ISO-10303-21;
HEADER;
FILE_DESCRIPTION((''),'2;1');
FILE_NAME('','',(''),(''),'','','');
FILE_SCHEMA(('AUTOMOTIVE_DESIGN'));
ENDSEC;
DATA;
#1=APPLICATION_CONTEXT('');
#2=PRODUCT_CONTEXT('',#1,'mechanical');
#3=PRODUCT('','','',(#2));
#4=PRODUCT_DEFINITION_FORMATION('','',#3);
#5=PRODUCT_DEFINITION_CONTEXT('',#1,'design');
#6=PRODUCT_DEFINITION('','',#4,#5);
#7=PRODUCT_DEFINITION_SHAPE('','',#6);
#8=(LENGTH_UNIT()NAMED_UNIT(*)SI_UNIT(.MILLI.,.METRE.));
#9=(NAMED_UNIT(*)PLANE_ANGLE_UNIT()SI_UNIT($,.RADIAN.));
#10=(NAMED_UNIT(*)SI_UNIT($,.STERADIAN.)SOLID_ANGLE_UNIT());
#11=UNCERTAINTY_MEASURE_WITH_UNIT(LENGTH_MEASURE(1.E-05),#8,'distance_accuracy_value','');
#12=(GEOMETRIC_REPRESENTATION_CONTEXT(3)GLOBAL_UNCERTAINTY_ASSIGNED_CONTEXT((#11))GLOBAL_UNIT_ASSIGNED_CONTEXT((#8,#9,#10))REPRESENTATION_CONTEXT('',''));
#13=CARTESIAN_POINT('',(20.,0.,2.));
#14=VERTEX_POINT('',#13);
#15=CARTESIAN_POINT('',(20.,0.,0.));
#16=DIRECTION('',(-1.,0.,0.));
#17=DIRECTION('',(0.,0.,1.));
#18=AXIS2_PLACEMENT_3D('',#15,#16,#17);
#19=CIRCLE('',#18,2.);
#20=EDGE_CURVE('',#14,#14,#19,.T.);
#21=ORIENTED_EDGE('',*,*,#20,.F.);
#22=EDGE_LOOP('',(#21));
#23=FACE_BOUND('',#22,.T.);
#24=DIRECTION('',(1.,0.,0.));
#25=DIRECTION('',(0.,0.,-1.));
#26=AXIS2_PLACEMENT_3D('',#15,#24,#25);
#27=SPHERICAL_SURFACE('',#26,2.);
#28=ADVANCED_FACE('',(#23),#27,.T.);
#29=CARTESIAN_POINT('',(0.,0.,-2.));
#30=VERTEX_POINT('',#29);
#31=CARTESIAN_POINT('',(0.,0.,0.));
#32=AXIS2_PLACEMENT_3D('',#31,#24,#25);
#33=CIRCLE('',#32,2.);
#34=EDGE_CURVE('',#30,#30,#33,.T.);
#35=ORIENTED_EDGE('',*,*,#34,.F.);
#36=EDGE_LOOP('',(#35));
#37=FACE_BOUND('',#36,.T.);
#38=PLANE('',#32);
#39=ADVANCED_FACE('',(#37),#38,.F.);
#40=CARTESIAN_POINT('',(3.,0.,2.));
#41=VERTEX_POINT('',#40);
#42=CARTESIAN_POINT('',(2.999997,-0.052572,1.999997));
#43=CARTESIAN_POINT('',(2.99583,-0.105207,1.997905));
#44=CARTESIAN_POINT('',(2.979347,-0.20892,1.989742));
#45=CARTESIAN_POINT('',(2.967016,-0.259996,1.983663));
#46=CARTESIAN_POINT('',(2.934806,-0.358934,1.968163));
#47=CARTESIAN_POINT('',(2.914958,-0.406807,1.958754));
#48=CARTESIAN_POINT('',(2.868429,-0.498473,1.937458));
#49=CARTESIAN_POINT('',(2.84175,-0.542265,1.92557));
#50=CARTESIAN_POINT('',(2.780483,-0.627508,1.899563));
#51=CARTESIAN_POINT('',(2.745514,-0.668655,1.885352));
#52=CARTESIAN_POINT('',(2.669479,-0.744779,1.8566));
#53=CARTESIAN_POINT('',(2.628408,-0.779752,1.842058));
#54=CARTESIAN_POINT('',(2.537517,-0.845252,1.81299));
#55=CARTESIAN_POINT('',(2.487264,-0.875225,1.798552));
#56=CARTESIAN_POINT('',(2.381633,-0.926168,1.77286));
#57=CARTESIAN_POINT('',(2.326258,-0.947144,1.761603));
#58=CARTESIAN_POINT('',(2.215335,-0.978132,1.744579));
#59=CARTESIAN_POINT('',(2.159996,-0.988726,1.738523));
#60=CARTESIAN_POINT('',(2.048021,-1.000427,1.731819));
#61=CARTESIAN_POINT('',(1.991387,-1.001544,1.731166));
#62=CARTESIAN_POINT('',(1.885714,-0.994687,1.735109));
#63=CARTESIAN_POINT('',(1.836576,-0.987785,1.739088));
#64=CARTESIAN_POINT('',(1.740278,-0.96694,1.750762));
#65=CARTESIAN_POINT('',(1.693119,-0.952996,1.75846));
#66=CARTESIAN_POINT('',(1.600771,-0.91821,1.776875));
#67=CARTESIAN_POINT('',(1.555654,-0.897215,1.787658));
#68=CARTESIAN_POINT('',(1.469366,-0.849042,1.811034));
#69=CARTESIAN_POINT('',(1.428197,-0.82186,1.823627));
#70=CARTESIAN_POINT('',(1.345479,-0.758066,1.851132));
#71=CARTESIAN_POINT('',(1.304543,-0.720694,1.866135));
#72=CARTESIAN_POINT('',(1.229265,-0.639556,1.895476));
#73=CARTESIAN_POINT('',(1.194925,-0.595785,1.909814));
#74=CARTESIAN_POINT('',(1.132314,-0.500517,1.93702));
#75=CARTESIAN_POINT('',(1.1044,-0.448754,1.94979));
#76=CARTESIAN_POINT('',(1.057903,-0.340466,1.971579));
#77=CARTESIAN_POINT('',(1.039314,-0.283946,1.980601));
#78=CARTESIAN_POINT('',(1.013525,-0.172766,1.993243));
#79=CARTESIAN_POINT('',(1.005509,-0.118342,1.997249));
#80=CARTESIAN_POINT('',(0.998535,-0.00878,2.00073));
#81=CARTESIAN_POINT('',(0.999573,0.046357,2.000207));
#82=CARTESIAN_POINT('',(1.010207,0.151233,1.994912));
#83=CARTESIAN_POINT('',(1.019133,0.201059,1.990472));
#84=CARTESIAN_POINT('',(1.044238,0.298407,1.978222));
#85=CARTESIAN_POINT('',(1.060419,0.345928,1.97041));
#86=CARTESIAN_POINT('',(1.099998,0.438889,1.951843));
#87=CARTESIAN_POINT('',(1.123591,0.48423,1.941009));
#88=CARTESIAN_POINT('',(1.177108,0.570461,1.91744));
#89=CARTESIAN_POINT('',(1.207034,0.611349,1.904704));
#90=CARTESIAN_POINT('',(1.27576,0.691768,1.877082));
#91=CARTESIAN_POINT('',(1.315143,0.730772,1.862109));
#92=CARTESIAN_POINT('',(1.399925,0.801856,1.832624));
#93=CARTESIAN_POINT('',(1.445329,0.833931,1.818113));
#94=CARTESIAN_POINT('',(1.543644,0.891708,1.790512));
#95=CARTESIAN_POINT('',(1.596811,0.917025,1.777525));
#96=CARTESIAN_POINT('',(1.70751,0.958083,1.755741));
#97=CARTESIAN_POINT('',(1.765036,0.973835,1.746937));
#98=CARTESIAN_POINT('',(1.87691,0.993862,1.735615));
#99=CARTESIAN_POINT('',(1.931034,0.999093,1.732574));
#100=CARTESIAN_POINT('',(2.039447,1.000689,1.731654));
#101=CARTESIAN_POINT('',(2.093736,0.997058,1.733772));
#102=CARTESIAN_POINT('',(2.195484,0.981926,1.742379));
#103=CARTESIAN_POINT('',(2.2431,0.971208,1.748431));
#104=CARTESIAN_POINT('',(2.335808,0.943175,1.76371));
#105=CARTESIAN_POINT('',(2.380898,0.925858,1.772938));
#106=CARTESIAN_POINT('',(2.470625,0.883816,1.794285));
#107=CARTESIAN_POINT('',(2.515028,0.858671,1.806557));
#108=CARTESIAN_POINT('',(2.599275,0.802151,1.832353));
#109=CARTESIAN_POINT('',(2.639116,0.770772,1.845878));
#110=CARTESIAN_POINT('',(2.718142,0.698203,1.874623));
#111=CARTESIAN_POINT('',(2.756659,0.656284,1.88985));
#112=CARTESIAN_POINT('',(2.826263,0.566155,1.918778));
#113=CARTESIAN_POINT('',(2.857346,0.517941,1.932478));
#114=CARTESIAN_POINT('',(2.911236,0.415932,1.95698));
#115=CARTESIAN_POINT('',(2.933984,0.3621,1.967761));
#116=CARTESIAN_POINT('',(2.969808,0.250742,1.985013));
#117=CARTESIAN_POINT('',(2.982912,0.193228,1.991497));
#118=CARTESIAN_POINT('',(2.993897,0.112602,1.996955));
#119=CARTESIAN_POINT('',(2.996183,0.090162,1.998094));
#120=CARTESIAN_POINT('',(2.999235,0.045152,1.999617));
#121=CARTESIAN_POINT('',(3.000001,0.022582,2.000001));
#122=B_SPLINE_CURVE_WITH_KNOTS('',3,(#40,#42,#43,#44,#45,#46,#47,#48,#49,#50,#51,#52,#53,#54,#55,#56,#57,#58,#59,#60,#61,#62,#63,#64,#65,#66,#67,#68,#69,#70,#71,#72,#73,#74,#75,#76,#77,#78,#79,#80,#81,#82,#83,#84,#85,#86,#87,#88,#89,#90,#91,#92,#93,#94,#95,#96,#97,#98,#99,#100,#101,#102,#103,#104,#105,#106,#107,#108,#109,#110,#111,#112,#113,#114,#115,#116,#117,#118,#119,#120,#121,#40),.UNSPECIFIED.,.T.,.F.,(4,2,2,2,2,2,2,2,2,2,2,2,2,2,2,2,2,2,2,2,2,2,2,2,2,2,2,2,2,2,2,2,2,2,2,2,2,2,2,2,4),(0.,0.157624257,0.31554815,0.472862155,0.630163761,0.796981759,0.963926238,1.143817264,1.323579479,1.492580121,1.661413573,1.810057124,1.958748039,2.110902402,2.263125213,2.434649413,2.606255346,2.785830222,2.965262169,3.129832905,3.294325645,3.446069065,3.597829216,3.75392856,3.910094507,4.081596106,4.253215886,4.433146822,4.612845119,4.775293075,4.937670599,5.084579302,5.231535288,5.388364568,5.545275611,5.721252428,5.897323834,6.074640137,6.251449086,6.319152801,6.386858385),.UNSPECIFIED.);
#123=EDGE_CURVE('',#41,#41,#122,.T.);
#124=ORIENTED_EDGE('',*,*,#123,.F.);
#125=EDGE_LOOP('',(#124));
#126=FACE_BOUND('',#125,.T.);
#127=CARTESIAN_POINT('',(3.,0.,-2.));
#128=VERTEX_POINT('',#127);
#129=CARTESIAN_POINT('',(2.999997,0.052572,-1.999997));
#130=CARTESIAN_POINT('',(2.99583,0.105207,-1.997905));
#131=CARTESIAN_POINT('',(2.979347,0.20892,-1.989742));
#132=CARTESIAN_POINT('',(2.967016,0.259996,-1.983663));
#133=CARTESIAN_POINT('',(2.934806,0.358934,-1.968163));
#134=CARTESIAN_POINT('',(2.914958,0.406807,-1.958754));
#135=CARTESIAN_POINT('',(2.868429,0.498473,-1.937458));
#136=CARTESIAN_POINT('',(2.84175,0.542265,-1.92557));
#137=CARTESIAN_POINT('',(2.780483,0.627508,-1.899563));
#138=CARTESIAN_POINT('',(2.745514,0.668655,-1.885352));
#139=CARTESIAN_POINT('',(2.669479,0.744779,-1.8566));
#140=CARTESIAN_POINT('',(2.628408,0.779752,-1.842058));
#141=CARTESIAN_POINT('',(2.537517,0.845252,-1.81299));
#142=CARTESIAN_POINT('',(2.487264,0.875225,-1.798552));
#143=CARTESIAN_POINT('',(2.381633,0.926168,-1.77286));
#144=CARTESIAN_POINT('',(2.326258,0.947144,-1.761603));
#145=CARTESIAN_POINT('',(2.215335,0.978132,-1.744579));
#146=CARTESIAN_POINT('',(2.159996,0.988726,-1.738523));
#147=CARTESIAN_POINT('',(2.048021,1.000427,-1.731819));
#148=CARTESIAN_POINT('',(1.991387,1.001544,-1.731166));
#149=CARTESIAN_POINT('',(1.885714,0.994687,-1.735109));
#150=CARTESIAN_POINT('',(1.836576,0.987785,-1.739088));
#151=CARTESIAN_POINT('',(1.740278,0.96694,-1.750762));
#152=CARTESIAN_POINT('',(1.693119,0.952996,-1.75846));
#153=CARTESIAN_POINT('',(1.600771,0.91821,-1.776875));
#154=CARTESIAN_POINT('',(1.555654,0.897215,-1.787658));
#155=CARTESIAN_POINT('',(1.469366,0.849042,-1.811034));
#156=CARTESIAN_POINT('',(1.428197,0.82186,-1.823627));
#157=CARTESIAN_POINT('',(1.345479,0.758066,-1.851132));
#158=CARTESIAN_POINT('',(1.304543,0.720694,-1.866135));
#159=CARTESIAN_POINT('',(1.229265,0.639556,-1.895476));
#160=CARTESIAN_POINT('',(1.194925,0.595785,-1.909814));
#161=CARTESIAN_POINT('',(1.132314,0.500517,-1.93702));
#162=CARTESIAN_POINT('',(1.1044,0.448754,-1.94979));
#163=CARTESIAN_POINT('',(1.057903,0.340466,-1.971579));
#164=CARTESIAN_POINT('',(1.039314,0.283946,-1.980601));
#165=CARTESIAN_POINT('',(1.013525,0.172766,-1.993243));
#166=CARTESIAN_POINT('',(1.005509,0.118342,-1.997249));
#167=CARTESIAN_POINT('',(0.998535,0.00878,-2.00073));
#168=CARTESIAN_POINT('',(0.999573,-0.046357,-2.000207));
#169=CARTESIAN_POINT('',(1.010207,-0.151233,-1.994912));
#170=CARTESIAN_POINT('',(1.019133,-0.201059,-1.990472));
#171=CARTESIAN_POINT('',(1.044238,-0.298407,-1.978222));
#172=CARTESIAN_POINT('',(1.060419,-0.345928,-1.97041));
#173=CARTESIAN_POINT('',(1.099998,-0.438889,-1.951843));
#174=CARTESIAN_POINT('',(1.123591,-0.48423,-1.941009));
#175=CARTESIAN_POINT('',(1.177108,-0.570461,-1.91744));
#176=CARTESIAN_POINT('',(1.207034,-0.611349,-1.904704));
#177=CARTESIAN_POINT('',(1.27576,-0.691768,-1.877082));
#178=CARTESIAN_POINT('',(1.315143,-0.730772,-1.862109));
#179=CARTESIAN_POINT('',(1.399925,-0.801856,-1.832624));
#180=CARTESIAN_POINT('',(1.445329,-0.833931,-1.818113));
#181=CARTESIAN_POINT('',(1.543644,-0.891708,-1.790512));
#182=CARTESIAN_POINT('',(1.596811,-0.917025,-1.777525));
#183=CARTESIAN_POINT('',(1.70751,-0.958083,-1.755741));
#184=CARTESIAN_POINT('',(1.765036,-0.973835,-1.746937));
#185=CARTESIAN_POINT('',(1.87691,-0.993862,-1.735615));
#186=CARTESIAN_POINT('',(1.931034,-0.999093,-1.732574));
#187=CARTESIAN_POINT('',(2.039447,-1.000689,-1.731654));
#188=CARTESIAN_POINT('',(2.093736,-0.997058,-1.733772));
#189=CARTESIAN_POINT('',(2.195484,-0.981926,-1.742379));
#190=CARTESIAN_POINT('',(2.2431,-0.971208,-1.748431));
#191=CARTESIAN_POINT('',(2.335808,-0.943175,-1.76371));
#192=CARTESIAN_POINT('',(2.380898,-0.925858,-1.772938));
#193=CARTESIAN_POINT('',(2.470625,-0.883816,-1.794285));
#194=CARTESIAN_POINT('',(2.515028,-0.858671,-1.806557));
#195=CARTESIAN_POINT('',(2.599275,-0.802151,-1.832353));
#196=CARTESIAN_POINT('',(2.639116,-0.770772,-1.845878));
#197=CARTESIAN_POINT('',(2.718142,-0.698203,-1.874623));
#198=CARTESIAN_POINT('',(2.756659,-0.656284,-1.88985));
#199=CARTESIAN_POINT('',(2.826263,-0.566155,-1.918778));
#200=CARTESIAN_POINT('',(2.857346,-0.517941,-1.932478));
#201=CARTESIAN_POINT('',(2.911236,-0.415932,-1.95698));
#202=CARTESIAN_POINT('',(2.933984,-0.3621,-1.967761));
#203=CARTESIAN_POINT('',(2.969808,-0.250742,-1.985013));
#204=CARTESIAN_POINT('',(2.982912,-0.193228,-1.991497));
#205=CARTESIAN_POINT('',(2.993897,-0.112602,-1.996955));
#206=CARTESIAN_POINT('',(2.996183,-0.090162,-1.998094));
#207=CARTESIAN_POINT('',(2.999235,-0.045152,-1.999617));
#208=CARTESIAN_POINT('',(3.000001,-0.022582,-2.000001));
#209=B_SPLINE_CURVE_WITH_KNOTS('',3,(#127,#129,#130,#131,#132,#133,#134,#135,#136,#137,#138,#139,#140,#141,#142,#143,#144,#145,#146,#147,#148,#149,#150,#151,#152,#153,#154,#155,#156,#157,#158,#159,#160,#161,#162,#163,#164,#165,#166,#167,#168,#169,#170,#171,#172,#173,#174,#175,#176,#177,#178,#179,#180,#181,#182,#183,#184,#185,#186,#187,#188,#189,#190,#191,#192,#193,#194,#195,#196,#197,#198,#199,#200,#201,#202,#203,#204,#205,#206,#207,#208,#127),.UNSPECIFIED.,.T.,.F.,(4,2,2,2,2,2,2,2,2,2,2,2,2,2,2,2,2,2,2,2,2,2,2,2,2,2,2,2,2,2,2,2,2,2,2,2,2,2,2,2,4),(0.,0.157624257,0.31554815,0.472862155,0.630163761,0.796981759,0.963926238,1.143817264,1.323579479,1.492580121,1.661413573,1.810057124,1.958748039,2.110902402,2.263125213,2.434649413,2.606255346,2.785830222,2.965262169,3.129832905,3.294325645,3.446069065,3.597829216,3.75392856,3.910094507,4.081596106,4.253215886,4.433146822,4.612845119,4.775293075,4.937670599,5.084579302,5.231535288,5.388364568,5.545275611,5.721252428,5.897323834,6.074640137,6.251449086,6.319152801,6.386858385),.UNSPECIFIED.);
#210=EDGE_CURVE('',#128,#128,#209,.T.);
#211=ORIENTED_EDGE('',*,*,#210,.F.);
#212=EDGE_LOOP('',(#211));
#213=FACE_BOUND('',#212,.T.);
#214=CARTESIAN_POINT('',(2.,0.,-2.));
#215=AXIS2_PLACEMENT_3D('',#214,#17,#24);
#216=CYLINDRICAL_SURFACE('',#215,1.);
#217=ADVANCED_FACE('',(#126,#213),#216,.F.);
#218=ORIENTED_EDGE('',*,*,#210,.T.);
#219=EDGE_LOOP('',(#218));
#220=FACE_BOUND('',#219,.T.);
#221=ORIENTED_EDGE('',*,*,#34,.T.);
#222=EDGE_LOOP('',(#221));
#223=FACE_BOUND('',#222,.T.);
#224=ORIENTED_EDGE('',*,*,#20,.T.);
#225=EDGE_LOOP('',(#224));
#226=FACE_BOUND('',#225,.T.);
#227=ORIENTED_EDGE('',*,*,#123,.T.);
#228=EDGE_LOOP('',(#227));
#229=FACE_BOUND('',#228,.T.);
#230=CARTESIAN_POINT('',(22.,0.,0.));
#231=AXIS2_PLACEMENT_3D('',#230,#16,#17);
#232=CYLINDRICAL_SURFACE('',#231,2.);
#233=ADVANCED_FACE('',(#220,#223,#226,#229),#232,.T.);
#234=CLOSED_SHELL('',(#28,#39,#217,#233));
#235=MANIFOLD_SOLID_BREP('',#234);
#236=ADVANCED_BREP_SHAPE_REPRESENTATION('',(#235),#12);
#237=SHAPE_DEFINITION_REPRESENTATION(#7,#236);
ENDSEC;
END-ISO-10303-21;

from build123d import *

# Parameters (mm, degrees)
SKETCH1_R           = 2
BOSS_EXTRUDE1_DEPTH = 22
SKETCH2_R           = 1
CUT_EXTRUDE1_DEPTH  = 4
FILLET2_R           = 2


with BuildPart() as part:
    # Sketch1 → Boss-Extrude1 (new body)
    with BuildSketch(Plane(origin=(0, 0, 0), x_dir=(0, 0, -1), z_dir=(1, 0, 0))):
        Circle(SKETCH1_R)
    extrude(amount=BOSS_EXTRUDE1_DEPTH)

    # Sketch2 → Cut-Extrude1 (cut)
    with BuildSketch(Plane.XY.offset(2)):
        with Locations((2, 0)):
            Circle(SKETCH2_R)
    extrude(amount=-CUT_EXTRUDE1_DEPTH, mode=Mode.SUBTRACT)

    # Fillet2
    fillet2_edges = [part.edges().sort_by_distance(p)[0] for p in [
        (22, 0, 2),
    ]]
    fillet(fillet2_edges, radius=FILLET2_R)


solid = part.part
